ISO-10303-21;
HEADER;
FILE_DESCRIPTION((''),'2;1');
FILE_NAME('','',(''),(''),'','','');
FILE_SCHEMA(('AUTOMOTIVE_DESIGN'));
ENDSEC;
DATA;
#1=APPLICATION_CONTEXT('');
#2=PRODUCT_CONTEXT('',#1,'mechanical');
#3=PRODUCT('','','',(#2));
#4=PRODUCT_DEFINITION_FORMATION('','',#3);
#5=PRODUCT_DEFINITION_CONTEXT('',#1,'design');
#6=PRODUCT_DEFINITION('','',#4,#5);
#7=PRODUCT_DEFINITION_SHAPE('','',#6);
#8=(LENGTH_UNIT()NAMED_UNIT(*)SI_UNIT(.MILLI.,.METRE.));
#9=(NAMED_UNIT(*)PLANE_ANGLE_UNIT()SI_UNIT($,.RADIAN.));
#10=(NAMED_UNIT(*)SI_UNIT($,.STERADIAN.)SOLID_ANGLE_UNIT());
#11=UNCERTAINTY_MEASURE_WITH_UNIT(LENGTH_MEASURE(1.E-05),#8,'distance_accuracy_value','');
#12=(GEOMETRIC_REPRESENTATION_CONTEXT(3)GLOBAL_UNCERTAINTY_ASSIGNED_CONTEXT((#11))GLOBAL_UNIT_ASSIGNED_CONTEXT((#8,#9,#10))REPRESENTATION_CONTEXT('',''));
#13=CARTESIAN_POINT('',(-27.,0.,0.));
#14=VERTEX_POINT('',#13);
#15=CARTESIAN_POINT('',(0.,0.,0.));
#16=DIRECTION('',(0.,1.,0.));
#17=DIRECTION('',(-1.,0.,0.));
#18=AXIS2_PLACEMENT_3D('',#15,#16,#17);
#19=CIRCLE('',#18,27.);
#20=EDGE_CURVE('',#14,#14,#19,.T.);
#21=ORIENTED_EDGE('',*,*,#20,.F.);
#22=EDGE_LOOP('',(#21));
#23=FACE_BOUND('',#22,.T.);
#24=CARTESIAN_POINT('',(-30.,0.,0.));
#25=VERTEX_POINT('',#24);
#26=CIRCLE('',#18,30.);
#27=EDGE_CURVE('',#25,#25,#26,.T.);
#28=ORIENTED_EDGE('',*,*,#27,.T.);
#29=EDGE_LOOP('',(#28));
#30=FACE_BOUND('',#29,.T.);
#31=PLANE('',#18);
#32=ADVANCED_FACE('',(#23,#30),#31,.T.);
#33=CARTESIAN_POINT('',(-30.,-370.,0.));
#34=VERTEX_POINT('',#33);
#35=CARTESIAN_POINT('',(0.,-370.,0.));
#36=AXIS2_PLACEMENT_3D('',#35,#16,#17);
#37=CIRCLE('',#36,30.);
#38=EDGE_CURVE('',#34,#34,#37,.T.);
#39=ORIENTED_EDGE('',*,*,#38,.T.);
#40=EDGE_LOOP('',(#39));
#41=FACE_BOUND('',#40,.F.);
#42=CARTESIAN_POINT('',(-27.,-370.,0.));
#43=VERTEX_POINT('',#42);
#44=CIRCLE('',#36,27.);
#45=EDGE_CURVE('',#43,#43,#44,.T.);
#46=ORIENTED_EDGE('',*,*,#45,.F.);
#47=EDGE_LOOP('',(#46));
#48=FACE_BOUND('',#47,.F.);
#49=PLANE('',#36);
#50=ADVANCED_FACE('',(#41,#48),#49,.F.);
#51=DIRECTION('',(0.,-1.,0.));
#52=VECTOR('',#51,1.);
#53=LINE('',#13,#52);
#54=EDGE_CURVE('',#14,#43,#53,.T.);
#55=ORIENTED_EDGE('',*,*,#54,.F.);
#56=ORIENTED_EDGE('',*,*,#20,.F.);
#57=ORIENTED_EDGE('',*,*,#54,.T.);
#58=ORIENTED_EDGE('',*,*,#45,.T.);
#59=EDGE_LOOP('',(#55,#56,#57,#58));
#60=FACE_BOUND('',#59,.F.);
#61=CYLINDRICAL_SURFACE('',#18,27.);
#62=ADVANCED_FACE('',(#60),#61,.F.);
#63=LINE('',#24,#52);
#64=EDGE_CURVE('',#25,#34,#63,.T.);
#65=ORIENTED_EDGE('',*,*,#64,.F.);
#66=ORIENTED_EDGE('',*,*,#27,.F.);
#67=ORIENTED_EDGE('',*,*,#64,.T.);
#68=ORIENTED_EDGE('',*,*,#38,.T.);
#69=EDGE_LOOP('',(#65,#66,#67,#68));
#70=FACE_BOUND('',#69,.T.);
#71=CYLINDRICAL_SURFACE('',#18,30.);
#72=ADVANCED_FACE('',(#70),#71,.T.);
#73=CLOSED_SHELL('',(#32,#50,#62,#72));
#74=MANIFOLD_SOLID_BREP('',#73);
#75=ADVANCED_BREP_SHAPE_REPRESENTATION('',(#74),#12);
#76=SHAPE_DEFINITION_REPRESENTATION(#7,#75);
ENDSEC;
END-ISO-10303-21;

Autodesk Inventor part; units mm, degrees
ref_plane "YZ Plane" through (0, 0, 0) normal (1, 0, 0) x (0, 1, 0)
ref_plane "XZ Plane" through (0, 0, 0) normal (0, 1, 0) x (-1, 0, 0)
ref_plane "XY Plane" through (0, 0, 0) normal (0, 0, 1) x (1, 0, 0)
sketch "Sketch1" plane through (0, 0, 0) normal (0, 1, 0) x (-1, 0, 0)
  circle A0 centre (0, 0) radius 30
  circle A1 centre (0, 0) radius 27
  dimension "d0" = 60
  dimension "d1" = 3
extrude "Extrusion1" add sketch "Sketch1" against normal blind 370
properties part number "PNS 1775 FDS tube 10" material "Steel"
